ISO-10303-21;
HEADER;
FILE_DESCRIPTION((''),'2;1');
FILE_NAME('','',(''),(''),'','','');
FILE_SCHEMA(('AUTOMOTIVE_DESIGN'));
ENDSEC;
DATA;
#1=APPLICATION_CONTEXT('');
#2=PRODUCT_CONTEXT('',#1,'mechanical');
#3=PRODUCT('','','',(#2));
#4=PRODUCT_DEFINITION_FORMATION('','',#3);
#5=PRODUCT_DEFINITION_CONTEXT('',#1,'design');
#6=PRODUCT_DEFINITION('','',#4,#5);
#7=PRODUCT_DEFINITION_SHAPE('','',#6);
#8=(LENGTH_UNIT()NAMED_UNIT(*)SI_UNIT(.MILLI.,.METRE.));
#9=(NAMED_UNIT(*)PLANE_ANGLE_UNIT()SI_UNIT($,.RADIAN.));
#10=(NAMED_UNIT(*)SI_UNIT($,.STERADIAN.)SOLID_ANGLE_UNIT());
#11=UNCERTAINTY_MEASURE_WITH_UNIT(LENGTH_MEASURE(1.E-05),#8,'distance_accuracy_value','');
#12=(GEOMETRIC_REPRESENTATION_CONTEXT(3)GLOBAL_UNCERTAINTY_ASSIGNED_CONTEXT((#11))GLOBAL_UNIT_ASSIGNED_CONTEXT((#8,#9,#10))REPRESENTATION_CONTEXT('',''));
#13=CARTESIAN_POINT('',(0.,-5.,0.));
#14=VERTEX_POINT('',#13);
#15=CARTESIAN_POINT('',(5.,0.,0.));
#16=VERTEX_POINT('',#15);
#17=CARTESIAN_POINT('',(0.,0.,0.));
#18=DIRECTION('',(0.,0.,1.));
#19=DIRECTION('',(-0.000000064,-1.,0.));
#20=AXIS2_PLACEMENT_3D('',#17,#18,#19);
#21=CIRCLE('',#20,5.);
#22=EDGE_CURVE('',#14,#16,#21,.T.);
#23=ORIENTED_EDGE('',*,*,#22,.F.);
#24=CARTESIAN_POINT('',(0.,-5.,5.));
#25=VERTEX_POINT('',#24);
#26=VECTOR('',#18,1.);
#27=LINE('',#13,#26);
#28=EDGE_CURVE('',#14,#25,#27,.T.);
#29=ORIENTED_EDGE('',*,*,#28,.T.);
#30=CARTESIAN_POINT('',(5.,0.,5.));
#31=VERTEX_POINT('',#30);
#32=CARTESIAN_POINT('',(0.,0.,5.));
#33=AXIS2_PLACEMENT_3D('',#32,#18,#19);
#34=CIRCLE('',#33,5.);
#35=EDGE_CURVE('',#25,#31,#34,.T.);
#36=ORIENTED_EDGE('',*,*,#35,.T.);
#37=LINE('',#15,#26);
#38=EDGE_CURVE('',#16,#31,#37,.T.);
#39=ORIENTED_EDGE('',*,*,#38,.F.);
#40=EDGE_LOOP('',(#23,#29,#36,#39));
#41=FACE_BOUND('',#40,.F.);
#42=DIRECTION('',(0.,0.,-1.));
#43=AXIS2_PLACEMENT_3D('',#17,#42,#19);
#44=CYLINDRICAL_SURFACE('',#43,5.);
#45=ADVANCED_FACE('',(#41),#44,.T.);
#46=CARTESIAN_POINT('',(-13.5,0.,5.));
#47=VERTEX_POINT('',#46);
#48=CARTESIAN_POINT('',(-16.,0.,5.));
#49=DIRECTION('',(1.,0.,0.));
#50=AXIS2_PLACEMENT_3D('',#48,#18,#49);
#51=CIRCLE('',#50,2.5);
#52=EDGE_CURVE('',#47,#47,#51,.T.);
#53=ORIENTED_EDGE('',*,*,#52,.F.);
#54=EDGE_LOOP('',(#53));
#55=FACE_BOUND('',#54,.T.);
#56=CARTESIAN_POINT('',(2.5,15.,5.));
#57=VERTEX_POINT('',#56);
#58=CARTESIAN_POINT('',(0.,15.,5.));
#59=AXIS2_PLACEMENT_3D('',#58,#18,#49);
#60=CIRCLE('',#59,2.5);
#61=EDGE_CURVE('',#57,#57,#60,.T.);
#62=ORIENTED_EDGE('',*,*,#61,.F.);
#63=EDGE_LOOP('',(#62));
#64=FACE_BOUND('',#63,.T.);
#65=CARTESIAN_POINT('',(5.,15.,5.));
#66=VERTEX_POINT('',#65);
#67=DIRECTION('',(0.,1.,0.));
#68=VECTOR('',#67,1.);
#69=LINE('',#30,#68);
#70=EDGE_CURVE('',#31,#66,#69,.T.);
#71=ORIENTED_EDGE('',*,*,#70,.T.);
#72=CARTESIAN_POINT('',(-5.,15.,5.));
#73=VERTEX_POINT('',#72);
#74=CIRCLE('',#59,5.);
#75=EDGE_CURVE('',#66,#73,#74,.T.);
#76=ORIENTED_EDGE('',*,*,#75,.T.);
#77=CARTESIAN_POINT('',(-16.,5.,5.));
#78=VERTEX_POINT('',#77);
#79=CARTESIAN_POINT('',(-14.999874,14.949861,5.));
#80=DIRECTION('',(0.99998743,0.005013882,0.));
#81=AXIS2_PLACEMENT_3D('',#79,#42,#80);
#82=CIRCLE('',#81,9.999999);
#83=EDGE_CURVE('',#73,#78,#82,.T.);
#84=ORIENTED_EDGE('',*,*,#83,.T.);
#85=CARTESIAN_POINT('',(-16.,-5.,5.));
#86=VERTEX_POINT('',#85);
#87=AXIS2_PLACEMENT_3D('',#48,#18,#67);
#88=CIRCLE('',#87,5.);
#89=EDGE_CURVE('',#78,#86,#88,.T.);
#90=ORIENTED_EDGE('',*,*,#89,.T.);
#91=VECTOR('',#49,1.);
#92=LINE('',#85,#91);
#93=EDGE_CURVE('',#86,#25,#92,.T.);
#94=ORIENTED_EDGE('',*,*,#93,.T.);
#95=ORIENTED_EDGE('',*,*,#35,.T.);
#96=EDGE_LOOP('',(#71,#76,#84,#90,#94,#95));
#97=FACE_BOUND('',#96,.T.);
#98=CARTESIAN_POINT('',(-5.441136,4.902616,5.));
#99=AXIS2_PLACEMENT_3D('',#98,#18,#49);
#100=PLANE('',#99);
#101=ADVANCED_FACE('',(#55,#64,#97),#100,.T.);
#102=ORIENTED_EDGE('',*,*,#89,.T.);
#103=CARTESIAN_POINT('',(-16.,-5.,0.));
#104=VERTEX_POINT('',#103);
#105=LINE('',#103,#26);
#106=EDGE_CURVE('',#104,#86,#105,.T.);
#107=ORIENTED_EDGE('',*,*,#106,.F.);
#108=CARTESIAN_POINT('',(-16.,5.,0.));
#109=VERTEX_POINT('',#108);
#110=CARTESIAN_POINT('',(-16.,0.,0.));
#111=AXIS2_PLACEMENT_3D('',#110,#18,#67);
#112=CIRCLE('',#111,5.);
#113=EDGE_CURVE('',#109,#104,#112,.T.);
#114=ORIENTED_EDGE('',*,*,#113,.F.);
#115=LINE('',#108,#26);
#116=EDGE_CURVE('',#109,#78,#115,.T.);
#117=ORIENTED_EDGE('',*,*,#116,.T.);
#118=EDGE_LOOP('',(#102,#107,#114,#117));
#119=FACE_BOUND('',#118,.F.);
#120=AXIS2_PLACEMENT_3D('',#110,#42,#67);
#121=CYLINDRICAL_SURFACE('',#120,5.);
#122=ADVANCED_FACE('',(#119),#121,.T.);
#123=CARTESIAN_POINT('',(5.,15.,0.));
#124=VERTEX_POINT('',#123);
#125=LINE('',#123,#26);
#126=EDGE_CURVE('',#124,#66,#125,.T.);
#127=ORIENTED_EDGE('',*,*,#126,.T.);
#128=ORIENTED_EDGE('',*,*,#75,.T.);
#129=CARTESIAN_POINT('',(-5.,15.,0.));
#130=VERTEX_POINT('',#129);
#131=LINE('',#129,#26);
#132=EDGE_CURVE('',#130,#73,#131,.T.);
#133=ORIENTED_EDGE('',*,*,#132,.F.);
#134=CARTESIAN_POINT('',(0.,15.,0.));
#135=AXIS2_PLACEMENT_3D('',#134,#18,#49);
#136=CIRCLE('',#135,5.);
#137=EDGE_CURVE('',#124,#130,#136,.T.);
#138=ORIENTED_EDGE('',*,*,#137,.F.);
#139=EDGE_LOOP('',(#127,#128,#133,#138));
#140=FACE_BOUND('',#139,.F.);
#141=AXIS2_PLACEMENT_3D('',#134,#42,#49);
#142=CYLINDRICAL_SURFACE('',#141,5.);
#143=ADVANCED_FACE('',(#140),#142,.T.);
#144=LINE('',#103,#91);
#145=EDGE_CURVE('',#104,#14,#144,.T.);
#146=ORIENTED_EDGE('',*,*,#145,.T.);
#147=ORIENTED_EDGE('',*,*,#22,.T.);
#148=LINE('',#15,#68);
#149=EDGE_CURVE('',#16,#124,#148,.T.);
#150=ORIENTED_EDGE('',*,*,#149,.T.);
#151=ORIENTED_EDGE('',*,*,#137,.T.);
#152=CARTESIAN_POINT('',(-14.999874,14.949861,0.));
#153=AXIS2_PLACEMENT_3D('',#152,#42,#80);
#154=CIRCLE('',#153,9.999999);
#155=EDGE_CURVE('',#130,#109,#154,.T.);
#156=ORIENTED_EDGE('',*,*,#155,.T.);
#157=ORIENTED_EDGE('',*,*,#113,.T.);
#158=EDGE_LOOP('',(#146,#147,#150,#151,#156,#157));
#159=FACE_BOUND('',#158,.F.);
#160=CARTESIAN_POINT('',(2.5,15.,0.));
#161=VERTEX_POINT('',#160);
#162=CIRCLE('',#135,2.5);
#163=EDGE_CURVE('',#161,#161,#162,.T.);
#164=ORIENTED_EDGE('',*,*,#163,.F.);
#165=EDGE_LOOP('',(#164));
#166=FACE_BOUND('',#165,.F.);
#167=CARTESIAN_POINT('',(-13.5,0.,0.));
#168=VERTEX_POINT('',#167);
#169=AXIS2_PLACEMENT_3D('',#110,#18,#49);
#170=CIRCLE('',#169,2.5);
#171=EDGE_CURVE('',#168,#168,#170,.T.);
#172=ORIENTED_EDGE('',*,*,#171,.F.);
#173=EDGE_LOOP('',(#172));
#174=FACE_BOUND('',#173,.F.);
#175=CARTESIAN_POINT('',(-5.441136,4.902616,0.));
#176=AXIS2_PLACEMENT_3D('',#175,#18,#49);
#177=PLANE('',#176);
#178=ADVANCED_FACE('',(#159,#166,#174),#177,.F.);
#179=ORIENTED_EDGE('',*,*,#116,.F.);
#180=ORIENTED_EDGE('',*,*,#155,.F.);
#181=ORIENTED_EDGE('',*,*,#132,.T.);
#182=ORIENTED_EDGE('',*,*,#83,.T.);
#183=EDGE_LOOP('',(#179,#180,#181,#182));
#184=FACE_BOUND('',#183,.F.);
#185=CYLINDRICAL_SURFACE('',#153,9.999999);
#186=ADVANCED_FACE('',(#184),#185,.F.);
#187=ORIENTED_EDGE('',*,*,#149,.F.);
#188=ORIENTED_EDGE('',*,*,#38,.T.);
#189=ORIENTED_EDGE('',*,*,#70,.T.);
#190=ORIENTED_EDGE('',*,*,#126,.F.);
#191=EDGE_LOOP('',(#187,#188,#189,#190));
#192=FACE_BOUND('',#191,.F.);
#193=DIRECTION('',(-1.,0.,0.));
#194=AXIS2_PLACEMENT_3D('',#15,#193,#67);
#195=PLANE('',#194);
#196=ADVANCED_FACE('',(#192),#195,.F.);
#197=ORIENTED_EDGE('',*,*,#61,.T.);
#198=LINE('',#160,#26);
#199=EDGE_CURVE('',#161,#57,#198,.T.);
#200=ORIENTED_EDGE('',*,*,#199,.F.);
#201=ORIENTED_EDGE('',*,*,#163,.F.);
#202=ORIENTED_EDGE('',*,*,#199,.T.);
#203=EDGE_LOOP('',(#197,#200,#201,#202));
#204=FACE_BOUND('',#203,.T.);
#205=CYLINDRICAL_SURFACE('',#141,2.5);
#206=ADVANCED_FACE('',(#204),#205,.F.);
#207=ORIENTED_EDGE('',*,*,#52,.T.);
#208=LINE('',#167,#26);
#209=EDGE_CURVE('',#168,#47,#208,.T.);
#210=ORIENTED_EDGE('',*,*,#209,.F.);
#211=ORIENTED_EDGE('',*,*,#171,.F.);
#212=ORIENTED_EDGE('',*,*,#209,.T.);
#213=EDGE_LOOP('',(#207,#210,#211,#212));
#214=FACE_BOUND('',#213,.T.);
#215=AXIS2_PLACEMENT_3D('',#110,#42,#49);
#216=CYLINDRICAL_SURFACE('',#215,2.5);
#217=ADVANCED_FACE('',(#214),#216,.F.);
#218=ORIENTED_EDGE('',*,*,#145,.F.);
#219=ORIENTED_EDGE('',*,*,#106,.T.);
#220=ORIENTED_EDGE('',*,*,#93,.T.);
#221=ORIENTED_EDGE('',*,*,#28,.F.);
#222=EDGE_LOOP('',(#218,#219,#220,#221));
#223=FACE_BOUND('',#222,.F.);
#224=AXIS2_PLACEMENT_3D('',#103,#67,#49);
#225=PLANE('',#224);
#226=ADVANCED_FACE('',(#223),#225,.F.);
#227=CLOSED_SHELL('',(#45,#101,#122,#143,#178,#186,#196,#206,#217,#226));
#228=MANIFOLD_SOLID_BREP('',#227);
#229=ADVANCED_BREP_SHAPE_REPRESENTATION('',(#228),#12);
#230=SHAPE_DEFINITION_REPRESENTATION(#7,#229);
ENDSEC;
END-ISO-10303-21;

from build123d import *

# Parameters (mm, degrees)
F0_R     = 2.5
F1_DEPTH = 5


with BuildPart() as f1:
    # F0 (on Top) → F1 (new body)
    with BuildSketch(Plane.XY):
        with BuildLine():
            Line((-16, -5), (0, -5))
            ThreePointArc((0, -5), (3.535534, -3.535534), (5, 0))
            Line((5, 0), (5, 15))
            ThreePointArc((5, 15), (0, 20), (-5, 15))
            ThreePointArc((-5, 15), (-8.273146, 7.550461), (-16, 5))
            ThreePointArc((-16, 5), (-21, 0), (-16, -5))
        make_face()
        with Locations((-16, 0)):
            Circle(F0_R, mode=Mode.SUBTRACT)
        with Locations((0, 15)):
            Circle(F0_R, mode=Mode.SUBTRACT)
    extrude(amount=F1_DEPTH)


solid = f1.part
